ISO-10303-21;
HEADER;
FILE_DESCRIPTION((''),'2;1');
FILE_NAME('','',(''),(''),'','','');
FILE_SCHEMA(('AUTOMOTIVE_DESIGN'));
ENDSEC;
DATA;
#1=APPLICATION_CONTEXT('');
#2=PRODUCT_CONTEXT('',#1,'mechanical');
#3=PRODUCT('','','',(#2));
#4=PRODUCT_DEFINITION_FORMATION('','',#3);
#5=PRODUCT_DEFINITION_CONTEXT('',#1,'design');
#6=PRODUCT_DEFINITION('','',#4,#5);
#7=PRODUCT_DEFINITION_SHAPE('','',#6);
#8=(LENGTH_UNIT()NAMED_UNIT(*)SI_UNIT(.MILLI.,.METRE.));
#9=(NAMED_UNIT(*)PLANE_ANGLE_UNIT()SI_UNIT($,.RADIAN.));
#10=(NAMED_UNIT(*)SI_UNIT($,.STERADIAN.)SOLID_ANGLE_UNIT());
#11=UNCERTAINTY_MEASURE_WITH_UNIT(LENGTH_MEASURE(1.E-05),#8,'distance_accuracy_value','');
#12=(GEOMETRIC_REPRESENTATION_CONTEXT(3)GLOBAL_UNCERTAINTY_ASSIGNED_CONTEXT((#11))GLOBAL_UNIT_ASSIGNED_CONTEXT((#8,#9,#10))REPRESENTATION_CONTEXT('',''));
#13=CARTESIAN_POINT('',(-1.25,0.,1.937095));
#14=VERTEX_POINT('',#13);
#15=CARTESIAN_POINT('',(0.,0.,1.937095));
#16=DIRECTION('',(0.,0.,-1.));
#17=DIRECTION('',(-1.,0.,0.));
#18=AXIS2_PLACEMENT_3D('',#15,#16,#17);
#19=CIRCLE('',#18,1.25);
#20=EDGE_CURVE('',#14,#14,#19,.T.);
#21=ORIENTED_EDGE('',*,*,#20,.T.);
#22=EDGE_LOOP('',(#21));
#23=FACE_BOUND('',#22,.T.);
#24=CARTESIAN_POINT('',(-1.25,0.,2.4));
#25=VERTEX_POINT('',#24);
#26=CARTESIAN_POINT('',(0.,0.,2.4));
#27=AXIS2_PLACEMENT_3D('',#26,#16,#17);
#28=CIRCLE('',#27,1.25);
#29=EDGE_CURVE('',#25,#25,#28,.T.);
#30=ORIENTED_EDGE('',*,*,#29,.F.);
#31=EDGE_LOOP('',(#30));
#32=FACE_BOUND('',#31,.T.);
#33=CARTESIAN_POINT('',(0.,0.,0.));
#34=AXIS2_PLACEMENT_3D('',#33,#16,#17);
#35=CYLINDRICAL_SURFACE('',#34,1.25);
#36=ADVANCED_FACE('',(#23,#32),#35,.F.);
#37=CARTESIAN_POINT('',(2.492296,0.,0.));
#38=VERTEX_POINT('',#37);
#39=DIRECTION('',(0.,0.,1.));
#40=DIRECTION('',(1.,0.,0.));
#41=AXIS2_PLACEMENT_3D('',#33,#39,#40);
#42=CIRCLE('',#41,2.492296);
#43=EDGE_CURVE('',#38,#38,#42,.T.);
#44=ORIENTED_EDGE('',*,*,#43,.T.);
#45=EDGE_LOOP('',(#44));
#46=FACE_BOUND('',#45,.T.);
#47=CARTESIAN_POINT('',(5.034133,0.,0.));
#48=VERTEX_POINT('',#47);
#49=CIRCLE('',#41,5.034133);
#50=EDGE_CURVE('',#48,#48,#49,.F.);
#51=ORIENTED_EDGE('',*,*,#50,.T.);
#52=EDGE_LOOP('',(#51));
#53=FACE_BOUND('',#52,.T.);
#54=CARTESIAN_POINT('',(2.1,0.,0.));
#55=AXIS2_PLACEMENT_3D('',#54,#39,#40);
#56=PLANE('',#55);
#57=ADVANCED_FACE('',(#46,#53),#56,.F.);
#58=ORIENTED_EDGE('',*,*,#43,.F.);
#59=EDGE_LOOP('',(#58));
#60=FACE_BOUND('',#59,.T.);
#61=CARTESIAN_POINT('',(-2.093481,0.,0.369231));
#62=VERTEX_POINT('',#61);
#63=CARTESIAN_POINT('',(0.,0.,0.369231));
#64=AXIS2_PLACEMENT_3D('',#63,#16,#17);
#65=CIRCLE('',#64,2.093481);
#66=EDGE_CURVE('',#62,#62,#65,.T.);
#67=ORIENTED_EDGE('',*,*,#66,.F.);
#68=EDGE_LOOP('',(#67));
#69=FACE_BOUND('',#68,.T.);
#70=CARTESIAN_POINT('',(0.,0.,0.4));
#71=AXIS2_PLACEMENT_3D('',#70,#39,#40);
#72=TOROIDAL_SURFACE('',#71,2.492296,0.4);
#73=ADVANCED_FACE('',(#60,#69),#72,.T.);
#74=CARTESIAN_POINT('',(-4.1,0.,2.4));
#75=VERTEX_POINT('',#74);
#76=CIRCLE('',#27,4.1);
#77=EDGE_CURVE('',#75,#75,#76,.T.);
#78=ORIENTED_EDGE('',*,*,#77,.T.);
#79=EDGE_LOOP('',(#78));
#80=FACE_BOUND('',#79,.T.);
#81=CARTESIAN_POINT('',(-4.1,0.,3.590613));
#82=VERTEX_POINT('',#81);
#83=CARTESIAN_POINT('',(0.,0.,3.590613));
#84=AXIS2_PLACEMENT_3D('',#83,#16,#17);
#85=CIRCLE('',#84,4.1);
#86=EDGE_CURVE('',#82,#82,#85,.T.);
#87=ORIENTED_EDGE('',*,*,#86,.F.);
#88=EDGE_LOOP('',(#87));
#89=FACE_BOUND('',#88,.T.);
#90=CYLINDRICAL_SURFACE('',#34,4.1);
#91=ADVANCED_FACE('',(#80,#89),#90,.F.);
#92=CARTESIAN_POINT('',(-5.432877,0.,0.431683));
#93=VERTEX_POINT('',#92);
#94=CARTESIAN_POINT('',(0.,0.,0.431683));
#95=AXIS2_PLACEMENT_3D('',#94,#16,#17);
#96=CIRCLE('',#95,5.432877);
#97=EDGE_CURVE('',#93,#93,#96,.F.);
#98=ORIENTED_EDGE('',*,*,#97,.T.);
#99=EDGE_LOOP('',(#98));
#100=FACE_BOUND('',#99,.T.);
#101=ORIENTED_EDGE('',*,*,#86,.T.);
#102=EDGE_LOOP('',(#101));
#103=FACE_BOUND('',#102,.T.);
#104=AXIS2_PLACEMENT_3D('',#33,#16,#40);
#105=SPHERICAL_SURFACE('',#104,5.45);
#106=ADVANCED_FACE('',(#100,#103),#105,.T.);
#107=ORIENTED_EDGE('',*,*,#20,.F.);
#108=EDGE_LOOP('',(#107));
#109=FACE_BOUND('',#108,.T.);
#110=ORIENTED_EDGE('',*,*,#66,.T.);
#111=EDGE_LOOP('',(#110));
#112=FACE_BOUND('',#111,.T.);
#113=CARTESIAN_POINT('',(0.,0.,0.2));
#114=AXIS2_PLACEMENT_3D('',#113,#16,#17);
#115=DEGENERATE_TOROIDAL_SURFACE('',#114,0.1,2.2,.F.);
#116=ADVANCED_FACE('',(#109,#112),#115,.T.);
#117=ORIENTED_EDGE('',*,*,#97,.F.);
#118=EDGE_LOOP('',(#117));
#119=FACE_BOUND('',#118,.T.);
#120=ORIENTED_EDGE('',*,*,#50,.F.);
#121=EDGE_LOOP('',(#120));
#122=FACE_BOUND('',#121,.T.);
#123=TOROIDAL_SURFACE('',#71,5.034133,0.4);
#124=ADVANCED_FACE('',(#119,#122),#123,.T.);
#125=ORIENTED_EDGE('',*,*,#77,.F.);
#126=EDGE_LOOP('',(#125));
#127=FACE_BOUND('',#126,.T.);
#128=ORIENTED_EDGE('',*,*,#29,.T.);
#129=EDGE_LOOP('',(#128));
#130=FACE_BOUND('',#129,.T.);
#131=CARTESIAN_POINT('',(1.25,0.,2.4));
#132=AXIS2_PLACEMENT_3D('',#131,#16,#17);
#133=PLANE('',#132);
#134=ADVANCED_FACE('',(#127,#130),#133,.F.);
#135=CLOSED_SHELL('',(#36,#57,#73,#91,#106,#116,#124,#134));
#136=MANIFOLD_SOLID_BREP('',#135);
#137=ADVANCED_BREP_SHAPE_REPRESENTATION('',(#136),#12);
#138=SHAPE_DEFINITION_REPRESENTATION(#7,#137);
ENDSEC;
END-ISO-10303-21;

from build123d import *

# Parameters (mm, degrees)
BOTTOM_FILLET_R = 0.4


with BuildPart() as part:
    # Sketch2 → Main Body (revolve)
    with BuildSketch(Plane(origin=(0, 0, 0), x_dir=(1, 0, 0), z_dir=(0, 1, 0))):
        with BuildLine():
            Line((2.1, 0), (5.45, 0))
            ThreePointArc((5.45, 0), (5.101347861, -1.918006778), (4.1, -3.590612761))
            Line((4.1, -3.590612761), (4.1, -2.4))
            Line((4.1, -2.4), (1.25, -2.4))
            Line((1.25, -2.4), (1.25, -1.937095277))
            ThreePointArc((1.25, -1.937095277), (1.876107285, -1.16695398), (2.1, -0.2))
            Line((2.1, -0.2), (2.1, 0))
        make_face()
    revolve(axis=Axis((0, 0, 0), (0, 0, 1)))

    # Bottom Fillet
    bottom_fillet_edges = [part.edges().sort_by_distance(p)[0] for p in [
        (-5.45, 0, 0),
        (-2.1, 0, 0),
    ]]
    fillet(bottom_fillet_edges, radius=BOTTOM_FILLET_R)


solid = part.part
